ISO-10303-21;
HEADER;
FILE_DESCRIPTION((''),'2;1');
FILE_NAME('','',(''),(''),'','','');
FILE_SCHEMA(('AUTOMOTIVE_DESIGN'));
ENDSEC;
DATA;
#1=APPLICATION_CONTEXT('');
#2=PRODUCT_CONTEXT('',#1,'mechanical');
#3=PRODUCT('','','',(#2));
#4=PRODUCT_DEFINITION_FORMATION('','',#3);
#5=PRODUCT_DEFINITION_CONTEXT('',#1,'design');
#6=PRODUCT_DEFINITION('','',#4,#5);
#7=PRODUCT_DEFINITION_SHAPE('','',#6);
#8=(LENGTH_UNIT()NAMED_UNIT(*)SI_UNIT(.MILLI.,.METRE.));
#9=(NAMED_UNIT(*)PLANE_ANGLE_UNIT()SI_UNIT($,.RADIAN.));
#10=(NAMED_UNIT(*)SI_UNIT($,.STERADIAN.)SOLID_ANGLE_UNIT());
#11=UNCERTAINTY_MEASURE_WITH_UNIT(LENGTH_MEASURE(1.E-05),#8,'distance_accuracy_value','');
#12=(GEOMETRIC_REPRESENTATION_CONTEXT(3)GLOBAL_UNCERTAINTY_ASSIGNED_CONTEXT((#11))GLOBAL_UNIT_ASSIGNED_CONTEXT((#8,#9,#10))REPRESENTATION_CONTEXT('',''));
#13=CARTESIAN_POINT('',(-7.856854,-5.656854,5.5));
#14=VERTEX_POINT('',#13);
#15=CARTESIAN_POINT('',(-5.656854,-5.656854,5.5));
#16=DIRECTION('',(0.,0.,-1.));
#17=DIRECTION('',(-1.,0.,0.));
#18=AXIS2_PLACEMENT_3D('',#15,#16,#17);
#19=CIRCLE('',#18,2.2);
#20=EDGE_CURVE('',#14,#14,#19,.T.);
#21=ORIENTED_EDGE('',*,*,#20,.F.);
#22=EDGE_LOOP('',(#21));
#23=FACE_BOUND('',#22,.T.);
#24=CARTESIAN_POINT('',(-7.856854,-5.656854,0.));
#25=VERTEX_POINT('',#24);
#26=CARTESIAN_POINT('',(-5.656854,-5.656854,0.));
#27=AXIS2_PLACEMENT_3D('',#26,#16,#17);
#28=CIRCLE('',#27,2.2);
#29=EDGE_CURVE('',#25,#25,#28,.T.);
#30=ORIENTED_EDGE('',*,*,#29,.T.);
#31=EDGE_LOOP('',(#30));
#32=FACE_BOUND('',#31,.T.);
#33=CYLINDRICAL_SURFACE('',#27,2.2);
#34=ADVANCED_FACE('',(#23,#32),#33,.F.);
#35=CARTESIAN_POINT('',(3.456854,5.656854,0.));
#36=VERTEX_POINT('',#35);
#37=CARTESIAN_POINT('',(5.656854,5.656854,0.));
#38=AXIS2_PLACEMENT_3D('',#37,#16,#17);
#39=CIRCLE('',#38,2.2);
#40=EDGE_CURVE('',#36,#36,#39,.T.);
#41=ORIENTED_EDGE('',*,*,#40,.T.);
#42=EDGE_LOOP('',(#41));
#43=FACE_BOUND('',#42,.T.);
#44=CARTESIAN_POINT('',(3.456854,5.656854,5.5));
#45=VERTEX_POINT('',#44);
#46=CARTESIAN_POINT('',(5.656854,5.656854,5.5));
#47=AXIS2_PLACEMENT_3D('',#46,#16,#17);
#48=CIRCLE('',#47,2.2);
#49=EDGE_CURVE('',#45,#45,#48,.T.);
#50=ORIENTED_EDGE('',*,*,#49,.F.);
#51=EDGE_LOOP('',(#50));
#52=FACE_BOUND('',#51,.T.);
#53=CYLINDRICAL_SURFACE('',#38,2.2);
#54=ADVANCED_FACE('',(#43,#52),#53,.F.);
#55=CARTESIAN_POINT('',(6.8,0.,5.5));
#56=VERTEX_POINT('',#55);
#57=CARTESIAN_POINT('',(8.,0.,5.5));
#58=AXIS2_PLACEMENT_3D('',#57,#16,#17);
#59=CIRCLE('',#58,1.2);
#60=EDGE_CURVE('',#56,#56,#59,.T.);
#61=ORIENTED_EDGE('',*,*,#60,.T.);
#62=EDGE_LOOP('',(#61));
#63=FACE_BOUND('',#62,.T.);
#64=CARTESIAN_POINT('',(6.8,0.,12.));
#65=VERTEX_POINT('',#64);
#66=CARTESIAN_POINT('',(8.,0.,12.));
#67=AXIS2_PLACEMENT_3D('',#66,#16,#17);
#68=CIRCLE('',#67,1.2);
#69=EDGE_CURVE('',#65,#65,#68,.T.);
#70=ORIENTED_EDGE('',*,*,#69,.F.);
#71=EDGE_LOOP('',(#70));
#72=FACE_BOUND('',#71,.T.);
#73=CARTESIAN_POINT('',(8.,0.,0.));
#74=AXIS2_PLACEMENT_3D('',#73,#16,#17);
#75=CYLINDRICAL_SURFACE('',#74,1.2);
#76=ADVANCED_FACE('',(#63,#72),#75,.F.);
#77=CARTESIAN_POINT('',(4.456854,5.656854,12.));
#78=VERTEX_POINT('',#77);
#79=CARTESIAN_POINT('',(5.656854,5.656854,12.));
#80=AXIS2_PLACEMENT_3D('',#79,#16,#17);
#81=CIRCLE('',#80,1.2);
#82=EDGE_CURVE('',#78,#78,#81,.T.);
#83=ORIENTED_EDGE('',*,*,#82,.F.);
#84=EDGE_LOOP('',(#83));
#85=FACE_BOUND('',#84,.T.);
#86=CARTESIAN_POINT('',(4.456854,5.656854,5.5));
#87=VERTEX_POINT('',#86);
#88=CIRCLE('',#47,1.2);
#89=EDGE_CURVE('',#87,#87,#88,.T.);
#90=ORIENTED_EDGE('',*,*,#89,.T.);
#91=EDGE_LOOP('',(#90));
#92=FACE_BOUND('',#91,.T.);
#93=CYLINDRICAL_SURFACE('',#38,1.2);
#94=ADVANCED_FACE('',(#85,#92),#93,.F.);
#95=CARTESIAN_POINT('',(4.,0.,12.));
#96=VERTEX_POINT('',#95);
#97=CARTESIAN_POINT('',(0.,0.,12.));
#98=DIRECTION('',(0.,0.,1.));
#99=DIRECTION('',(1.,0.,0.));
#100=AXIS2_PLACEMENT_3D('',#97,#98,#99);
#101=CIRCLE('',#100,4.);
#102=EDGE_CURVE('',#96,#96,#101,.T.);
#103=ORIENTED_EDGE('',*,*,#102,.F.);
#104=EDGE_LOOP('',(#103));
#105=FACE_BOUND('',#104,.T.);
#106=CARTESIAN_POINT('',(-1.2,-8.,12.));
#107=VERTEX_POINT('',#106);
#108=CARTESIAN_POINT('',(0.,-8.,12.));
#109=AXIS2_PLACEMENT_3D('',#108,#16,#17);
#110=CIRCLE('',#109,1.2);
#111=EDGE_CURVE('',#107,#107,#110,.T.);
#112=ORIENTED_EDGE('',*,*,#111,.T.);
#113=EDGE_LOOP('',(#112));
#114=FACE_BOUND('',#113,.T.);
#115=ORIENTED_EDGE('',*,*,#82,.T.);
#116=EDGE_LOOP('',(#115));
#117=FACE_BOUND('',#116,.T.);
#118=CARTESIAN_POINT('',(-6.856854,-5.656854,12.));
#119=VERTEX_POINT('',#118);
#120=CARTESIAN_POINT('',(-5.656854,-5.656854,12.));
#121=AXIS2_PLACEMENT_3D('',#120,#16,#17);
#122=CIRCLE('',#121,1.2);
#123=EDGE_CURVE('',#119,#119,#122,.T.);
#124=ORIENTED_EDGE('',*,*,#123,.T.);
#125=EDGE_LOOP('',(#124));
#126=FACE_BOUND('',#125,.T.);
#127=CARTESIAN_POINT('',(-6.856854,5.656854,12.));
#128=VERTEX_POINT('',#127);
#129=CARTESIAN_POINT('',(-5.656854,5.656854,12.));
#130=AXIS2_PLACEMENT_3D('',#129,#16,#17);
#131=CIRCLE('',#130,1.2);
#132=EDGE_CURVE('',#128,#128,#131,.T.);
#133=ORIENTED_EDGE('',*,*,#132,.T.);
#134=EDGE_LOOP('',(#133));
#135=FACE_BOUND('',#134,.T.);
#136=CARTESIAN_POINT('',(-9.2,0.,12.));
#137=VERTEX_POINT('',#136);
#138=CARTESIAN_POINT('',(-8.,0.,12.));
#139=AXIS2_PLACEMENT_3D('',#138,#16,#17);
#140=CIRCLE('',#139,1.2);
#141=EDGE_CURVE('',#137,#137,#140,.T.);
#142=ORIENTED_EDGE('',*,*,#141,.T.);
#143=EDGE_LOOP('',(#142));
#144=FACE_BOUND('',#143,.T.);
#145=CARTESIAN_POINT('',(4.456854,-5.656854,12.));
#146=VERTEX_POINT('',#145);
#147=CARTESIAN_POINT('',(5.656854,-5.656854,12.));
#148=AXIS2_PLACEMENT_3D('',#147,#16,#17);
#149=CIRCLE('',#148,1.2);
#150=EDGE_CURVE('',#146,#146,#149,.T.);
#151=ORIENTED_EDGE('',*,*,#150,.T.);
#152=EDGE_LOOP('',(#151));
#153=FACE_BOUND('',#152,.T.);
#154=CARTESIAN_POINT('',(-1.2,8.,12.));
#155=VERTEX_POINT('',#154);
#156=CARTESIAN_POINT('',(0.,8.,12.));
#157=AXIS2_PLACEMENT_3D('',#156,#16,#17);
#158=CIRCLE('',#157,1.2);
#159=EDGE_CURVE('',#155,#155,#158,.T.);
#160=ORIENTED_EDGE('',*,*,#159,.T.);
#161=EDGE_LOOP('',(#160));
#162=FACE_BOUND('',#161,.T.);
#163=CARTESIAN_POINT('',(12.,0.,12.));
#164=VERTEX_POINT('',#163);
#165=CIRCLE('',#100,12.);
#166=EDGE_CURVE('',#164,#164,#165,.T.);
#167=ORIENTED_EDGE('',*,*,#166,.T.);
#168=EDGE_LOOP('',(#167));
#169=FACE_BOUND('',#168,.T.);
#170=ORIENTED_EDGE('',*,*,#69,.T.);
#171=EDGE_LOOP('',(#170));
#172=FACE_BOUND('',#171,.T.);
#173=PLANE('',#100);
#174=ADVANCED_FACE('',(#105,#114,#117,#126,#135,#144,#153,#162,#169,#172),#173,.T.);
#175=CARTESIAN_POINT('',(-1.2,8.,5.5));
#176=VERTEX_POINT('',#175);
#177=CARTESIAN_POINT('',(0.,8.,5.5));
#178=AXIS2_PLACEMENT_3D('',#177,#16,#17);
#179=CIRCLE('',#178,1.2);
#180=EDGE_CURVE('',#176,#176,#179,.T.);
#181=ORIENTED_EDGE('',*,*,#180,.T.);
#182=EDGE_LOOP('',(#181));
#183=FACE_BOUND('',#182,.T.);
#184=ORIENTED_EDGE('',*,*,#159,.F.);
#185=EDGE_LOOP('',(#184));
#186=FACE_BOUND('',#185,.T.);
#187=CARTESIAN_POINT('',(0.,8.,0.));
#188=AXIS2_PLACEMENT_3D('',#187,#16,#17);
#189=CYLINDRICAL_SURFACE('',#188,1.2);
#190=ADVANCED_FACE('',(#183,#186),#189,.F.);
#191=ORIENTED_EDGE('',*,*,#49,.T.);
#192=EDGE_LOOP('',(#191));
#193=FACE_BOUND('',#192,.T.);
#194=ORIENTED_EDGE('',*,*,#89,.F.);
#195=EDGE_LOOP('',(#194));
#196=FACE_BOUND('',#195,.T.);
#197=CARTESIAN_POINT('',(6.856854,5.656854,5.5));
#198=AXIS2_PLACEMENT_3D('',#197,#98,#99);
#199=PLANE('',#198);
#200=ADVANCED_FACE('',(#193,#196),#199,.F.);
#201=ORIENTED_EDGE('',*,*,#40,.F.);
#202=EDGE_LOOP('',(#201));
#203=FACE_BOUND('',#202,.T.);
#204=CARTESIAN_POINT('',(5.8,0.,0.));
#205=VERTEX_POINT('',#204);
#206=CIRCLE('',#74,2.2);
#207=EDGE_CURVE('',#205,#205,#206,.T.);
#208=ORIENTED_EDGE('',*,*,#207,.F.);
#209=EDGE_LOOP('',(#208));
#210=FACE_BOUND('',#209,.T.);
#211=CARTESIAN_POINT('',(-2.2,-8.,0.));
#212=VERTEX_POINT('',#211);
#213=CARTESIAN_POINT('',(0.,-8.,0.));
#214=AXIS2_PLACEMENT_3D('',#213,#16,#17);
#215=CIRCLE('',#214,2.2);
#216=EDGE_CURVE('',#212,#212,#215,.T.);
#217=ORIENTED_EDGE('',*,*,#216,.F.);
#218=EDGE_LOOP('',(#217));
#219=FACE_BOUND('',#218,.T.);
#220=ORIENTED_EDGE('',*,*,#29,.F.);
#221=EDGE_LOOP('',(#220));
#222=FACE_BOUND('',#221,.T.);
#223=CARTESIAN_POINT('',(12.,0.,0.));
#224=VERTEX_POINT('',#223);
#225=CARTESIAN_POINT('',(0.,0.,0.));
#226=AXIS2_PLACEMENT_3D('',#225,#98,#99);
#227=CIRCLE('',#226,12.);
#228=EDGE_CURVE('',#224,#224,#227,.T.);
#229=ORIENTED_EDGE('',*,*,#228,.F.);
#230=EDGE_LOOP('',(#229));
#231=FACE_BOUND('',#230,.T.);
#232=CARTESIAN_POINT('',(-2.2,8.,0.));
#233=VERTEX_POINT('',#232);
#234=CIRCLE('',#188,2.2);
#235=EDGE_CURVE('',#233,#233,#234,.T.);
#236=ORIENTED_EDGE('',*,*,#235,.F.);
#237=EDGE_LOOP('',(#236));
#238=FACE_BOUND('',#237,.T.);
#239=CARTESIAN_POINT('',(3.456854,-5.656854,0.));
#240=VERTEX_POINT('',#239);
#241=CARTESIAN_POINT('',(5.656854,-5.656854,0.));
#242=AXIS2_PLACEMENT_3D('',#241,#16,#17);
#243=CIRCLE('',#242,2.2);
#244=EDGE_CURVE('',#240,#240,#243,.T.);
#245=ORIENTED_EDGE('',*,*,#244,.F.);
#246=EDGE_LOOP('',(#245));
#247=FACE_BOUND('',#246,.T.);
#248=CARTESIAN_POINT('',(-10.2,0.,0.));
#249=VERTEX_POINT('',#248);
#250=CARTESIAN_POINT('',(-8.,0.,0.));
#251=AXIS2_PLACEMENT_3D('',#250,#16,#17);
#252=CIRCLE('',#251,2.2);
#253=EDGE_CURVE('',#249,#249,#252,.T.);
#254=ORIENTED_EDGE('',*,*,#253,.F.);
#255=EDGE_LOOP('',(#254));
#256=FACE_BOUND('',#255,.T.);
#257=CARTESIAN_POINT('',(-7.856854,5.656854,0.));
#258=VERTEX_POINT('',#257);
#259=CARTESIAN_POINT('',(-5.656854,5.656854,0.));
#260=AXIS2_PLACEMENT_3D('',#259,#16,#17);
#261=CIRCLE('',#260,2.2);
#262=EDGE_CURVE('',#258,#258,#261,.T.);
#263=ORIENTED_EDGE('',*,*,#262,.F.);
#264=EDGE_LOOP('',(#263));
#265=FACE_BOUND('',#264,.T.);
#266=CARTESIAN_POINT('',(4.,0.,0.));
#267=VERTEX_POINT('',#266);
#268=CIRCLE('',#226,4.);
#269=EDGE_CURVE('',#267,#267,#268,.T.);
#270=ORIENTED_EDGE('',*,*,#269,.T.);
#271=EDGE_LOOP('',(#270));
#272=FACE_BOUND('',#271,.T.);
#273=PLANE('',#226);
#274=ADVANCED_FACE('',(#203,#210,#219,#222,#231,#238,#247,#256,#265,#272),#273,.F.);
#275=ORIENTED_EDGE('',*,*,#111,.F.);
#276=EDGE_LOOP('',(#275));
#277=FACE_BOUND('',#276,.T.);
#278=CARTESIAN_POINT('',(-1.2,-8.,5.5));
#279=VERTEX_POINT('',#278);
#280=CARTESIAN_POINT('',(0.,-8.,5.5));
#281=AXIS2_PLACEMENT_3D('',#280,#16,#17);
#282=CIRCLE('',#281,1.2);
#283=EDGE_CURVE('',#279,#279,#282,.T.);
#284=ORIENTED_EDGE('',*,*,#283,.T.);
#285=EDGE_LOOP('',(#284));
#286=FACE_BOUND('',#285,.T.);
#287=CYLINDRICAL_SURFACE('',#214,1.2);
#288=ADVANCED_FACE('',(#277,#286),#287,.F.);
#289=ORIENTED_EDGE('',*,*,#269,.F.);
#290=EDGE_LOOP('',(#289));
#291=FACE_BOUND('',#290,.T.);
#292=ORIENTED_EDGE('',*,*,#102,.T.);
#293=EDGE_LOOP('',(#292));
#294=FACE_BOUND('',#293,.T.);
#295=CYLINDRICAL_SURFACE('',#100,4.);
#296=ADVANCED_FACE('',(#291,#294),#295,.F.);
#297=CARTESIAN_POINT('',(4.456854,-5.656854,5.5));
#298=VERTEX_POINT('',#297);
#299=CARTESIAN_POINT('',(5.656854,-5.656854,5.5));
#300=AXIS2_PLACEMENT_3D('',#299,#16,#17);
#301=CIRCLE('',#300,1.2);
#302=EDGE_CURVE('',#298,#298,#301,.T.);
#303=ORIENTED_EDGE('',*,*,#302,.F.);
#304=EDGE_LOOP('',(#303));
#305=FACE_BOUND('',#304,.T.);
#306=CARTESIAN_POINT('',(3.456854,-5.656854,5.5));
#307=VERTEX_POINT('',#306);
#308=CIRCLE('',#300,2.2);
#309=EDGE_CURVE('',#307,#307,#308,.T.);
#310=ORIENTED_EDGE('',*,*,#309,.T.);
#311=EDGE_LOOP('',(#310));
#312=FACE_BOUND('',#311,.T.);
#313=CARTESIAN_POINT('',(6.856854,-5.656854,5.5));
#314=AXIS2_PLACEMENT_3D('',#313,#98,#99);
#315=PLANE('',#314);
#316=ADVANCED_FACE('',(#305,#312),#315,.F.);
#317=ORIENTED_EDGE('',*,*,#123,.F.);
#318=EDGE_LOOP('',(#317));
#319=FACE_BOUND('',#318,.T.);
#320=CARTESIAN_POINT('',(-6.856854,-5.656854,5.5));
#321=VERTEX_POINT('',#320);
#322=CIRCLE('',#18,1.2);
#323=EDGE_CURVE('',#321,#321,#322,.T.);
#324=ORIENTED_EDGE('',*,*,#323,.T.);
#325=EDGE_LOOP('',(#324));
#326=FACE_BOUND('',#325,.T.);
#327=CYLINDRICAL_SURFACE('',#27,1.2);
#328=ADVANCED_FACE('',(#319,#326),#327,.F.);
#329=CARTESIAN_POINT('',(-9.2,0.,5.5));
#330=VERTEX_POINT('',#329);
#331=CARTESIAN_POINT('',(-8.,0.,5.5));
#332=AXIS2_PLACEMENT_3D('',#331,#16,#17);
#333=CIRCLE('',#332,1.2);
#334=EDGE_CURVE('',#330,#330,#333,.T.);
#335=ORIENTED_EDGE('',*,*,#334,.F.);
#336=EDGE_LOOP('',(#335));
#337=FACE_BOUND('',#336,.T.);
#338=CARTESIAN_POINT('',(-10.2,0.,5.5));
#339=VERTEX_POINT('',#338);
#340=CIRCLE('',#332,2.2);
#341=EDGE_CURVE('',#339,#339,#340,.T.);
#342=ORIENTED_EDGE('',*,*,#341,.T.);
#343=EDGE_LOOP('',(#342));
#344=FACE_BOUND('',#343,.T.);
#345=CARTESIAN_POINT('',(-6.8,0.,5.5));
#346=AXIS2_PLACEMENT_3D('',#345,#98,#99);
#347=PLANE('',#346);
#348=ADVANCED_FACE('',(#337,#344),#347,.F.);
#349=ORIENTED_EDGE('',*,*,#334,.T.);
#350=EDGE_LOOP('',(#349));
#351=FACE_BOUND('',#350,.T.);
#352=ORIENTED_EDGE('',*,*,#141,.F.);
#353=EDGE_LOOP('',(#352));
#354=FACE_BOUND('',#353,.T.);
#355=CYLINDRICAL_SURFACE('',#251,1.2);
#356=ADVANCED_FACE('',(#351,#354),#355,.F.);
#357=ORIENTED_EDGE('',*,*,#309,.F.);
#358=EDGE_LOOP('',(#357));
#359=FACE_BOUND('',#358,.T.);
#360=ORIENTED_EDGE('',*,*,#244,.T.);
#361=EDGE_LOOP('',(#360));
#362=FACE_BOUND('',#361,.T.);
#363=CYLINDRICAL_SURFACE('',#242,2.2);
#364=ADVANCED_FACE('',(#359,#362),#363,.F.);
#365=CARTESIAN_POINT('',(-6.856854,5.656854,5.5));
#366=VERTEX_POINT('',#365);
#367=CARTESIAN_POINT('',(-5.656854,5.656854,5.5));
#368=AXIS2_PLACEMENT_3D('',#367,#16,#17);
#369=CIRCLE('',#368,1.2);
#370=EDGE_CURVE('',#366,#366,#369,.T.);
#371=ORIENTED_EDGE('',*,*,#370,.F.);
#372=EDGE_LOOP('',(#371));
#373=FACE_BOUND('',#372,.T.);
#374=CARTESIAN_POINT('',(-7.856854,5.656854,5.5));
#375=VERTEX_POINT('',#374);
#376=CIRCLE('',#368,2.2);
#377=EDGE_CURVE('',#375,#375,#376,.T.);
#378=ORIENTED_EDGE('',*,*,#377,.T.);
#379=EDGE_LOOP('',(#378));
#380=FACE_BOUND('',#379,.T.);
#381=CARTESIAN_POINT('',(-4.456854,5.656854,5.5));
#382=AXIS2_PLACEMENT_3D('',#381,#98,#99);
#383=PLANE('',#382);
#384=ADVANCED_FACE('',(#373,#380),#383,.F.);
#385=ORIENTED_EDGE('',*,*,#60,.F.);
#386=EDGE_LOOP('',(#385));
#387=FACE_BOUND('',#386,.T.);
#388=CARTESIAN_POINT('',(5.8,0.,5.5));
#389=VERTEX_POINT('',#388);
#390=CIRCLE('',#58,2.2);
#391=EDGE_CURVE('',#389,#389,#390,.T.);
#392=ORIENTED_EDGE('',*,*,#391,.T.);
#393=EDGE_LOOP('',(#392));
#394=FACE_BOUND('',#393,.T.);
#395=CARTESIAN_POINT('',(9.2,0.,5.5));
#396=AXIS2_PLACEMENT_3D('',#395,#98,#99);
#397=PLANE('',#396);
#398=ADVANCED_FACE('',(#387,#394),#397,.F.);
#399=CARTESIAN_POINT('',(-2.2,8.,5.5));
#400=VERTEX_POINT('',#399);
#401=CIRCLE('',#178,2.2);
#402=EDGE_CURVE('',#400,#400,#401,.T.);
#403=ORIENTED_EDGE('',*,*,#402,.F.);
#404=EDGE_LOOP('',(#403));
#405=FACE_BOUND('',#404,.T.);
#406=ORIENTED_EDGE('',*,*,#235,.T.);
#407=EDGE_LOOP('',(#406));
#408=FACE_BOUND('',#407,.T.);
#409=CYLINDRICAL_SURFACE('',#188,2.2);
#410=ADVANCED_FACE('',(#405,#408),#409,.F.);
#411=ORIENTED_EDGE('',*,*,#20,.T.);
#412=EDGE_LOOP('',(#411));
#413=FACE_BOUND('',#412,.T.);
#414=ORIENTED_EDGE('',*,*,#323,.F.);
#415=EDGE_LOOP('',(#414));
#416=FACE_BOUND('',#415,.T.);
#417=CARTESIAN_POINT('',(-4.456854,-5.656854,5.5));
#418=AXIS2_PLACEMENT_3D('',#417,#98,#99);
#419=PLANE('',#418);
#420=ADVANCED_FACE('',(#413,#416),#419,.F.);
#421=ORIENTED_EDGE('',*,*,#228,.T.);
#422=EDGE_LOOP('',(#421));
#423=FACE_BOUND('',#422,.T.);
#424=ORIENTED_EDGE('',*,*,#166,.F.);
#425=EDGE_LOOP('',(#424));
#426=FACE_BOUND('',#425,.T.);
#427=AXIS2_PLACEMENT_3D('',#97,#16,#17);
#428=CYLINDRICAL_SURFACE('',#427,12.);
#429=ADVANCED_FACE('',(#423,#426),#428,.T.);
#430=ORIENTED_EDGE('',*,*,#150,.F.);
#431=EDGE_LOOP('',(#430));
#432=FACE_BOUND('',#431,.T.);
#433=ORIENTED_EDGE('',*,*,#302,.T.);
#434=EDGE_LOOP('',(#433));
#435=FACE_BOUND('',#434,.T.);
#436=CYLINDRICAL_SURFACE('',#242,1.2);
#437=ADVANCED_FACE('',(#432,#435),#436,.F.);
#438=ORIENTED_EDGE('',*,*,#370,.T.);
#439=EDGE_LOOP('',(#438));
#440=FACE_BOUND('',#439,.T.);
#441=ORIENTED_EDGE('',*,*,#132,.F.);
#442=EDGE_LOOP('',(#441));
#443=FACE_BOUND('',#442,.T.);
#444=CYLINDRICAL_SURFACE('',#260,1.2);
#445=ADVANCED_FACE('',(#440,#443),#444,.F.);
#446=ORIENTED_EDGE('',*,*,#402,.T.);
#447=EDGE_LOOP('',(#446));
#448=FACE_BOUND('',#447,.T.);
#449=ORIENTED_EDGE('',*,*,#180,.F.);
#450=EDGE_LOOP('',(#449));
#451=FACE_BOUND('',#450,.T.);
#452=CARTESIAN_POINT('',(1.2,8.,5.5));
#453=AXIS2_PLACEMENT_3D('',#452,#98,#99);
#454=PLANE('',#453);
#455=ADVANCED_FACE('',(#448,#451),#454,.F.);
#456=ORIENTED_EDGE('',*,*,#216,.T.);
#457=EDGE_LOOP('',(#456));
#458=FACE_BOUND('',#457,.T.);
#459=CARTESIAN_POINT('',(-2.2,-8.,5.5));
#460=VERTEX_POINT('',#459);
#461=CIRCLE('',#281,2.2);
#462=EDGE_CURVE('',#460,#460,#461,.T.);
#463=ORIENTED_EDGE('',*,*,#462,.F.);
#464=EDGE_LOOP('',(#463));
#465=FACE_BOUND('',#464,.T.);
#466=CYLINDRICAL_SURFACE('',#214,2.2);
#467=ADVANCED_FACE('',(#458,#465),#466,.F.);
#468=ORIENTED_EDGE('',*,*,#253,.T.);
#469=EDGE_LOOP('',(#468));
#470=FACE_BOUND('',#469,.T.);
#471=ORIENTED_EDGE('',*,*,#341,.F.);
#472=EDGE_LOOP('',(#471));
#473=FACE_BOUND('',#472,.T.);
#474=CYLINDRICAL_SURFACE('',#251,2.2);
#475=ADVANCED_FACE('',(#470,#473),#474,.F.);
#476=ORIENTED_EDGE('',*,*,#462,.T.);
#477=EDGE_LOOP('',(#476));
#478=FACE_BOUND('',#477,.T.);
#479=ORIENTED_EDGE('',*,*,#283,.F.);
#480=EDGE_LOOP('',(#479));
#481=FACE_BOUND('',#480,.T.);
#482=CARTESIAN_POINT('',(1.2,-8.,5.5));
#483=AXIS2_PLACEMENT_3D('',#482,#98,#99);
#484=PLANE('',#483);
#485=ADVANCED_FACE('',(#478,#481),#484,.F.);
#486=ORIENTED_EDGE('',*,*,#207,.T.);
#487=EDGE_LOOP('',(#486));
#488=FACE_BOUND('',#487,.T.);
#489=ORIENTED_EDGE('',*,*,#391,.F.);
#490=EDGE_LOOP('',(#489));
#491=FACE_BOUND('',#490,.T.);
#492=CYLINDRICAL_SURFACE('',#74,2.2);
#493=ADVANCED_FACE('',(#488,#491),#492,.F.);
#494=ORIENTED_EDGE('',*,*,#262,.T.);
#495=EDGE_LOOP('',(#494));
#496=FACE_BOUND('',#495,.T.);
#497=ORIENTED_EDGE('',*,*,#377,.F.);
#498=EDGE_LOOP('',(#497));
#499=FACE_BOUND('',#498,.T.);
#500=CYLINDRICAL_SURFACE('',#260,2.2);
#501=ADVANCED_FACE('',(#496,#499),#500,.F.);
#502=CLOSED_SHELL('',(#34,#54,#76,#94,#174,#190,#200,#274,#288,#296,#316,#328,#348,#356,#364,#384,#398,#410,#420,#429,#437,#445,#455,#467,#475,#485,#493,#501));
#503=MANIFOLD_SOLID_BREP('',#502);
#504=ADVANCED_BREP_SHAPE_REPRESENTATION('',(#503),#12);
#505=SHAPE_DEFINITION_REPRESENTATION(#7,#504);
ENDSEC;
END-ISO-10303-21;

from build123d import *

# Parameters (mm, degrees)
SKETCH1_R                                           = 12
BOSS_EXTRUDE1_DEPTH                                 = 12
F_8_0MM_DOWEL_HOLE1_D                               = 8
CBORE_FOR_M2_HEX_SOCKET_HEAD_CAP_SCREW1_D           = 2.4
CBORE_FOR_M2_HEX_SOCKET_HEAD_CAP_SCREW1_CBORE_D     = 4.4
CBORE_FOR_M2_HEX_SOCKET_HEAD_CAP_SCREW1_CBORE_DEPTH = 5.5


with BuildPart() as part:
    # Sketch1 → Boss-Extrude1 (new body)
    with BuildSketch(Plane.XY):
        Circle(SKETCH1_R)
    extrude(amount=BOSS_EXTRUDE1_DEPTH)

    # Ø8.0mm Dowel Hole1 (through all)
    with Locations(Plane.XY.offset(12)):
        with Locations((0, 0)):
            Hole(F_8_0MM_DOWEL_HOLE1_D / 2)

    # CBORE for M2 Hex Socket Head Cap Screw1 (through all)
    with Locations(Plane(origin=(0, 0, 0), x_dir=(1, 0, 0), z_dir=(0, 0, -1))):
        with Locations((-5.656854249, -5.656854249), (0, -8), (5.656854249, -5.656854249), (8, 0), (5.656854249, 5.656854249), (0, 8), (-5.656854249, 5.656854249), (-8, 0)):
            CounterBoreHole(CBORE_FOR_M2_HEX_SOCKET_HEAD_CAP_SCREW1_D / 2, CBORE_FOR_M2_HEX_SOCKET_HEAD_CAP_SCREW1_CBORE_D / 2, CBORE_FOR_M2_HEX_SOCKET_HEAD_CAP_SCREW1_CBORE_DEPTH)


solid = part.part
